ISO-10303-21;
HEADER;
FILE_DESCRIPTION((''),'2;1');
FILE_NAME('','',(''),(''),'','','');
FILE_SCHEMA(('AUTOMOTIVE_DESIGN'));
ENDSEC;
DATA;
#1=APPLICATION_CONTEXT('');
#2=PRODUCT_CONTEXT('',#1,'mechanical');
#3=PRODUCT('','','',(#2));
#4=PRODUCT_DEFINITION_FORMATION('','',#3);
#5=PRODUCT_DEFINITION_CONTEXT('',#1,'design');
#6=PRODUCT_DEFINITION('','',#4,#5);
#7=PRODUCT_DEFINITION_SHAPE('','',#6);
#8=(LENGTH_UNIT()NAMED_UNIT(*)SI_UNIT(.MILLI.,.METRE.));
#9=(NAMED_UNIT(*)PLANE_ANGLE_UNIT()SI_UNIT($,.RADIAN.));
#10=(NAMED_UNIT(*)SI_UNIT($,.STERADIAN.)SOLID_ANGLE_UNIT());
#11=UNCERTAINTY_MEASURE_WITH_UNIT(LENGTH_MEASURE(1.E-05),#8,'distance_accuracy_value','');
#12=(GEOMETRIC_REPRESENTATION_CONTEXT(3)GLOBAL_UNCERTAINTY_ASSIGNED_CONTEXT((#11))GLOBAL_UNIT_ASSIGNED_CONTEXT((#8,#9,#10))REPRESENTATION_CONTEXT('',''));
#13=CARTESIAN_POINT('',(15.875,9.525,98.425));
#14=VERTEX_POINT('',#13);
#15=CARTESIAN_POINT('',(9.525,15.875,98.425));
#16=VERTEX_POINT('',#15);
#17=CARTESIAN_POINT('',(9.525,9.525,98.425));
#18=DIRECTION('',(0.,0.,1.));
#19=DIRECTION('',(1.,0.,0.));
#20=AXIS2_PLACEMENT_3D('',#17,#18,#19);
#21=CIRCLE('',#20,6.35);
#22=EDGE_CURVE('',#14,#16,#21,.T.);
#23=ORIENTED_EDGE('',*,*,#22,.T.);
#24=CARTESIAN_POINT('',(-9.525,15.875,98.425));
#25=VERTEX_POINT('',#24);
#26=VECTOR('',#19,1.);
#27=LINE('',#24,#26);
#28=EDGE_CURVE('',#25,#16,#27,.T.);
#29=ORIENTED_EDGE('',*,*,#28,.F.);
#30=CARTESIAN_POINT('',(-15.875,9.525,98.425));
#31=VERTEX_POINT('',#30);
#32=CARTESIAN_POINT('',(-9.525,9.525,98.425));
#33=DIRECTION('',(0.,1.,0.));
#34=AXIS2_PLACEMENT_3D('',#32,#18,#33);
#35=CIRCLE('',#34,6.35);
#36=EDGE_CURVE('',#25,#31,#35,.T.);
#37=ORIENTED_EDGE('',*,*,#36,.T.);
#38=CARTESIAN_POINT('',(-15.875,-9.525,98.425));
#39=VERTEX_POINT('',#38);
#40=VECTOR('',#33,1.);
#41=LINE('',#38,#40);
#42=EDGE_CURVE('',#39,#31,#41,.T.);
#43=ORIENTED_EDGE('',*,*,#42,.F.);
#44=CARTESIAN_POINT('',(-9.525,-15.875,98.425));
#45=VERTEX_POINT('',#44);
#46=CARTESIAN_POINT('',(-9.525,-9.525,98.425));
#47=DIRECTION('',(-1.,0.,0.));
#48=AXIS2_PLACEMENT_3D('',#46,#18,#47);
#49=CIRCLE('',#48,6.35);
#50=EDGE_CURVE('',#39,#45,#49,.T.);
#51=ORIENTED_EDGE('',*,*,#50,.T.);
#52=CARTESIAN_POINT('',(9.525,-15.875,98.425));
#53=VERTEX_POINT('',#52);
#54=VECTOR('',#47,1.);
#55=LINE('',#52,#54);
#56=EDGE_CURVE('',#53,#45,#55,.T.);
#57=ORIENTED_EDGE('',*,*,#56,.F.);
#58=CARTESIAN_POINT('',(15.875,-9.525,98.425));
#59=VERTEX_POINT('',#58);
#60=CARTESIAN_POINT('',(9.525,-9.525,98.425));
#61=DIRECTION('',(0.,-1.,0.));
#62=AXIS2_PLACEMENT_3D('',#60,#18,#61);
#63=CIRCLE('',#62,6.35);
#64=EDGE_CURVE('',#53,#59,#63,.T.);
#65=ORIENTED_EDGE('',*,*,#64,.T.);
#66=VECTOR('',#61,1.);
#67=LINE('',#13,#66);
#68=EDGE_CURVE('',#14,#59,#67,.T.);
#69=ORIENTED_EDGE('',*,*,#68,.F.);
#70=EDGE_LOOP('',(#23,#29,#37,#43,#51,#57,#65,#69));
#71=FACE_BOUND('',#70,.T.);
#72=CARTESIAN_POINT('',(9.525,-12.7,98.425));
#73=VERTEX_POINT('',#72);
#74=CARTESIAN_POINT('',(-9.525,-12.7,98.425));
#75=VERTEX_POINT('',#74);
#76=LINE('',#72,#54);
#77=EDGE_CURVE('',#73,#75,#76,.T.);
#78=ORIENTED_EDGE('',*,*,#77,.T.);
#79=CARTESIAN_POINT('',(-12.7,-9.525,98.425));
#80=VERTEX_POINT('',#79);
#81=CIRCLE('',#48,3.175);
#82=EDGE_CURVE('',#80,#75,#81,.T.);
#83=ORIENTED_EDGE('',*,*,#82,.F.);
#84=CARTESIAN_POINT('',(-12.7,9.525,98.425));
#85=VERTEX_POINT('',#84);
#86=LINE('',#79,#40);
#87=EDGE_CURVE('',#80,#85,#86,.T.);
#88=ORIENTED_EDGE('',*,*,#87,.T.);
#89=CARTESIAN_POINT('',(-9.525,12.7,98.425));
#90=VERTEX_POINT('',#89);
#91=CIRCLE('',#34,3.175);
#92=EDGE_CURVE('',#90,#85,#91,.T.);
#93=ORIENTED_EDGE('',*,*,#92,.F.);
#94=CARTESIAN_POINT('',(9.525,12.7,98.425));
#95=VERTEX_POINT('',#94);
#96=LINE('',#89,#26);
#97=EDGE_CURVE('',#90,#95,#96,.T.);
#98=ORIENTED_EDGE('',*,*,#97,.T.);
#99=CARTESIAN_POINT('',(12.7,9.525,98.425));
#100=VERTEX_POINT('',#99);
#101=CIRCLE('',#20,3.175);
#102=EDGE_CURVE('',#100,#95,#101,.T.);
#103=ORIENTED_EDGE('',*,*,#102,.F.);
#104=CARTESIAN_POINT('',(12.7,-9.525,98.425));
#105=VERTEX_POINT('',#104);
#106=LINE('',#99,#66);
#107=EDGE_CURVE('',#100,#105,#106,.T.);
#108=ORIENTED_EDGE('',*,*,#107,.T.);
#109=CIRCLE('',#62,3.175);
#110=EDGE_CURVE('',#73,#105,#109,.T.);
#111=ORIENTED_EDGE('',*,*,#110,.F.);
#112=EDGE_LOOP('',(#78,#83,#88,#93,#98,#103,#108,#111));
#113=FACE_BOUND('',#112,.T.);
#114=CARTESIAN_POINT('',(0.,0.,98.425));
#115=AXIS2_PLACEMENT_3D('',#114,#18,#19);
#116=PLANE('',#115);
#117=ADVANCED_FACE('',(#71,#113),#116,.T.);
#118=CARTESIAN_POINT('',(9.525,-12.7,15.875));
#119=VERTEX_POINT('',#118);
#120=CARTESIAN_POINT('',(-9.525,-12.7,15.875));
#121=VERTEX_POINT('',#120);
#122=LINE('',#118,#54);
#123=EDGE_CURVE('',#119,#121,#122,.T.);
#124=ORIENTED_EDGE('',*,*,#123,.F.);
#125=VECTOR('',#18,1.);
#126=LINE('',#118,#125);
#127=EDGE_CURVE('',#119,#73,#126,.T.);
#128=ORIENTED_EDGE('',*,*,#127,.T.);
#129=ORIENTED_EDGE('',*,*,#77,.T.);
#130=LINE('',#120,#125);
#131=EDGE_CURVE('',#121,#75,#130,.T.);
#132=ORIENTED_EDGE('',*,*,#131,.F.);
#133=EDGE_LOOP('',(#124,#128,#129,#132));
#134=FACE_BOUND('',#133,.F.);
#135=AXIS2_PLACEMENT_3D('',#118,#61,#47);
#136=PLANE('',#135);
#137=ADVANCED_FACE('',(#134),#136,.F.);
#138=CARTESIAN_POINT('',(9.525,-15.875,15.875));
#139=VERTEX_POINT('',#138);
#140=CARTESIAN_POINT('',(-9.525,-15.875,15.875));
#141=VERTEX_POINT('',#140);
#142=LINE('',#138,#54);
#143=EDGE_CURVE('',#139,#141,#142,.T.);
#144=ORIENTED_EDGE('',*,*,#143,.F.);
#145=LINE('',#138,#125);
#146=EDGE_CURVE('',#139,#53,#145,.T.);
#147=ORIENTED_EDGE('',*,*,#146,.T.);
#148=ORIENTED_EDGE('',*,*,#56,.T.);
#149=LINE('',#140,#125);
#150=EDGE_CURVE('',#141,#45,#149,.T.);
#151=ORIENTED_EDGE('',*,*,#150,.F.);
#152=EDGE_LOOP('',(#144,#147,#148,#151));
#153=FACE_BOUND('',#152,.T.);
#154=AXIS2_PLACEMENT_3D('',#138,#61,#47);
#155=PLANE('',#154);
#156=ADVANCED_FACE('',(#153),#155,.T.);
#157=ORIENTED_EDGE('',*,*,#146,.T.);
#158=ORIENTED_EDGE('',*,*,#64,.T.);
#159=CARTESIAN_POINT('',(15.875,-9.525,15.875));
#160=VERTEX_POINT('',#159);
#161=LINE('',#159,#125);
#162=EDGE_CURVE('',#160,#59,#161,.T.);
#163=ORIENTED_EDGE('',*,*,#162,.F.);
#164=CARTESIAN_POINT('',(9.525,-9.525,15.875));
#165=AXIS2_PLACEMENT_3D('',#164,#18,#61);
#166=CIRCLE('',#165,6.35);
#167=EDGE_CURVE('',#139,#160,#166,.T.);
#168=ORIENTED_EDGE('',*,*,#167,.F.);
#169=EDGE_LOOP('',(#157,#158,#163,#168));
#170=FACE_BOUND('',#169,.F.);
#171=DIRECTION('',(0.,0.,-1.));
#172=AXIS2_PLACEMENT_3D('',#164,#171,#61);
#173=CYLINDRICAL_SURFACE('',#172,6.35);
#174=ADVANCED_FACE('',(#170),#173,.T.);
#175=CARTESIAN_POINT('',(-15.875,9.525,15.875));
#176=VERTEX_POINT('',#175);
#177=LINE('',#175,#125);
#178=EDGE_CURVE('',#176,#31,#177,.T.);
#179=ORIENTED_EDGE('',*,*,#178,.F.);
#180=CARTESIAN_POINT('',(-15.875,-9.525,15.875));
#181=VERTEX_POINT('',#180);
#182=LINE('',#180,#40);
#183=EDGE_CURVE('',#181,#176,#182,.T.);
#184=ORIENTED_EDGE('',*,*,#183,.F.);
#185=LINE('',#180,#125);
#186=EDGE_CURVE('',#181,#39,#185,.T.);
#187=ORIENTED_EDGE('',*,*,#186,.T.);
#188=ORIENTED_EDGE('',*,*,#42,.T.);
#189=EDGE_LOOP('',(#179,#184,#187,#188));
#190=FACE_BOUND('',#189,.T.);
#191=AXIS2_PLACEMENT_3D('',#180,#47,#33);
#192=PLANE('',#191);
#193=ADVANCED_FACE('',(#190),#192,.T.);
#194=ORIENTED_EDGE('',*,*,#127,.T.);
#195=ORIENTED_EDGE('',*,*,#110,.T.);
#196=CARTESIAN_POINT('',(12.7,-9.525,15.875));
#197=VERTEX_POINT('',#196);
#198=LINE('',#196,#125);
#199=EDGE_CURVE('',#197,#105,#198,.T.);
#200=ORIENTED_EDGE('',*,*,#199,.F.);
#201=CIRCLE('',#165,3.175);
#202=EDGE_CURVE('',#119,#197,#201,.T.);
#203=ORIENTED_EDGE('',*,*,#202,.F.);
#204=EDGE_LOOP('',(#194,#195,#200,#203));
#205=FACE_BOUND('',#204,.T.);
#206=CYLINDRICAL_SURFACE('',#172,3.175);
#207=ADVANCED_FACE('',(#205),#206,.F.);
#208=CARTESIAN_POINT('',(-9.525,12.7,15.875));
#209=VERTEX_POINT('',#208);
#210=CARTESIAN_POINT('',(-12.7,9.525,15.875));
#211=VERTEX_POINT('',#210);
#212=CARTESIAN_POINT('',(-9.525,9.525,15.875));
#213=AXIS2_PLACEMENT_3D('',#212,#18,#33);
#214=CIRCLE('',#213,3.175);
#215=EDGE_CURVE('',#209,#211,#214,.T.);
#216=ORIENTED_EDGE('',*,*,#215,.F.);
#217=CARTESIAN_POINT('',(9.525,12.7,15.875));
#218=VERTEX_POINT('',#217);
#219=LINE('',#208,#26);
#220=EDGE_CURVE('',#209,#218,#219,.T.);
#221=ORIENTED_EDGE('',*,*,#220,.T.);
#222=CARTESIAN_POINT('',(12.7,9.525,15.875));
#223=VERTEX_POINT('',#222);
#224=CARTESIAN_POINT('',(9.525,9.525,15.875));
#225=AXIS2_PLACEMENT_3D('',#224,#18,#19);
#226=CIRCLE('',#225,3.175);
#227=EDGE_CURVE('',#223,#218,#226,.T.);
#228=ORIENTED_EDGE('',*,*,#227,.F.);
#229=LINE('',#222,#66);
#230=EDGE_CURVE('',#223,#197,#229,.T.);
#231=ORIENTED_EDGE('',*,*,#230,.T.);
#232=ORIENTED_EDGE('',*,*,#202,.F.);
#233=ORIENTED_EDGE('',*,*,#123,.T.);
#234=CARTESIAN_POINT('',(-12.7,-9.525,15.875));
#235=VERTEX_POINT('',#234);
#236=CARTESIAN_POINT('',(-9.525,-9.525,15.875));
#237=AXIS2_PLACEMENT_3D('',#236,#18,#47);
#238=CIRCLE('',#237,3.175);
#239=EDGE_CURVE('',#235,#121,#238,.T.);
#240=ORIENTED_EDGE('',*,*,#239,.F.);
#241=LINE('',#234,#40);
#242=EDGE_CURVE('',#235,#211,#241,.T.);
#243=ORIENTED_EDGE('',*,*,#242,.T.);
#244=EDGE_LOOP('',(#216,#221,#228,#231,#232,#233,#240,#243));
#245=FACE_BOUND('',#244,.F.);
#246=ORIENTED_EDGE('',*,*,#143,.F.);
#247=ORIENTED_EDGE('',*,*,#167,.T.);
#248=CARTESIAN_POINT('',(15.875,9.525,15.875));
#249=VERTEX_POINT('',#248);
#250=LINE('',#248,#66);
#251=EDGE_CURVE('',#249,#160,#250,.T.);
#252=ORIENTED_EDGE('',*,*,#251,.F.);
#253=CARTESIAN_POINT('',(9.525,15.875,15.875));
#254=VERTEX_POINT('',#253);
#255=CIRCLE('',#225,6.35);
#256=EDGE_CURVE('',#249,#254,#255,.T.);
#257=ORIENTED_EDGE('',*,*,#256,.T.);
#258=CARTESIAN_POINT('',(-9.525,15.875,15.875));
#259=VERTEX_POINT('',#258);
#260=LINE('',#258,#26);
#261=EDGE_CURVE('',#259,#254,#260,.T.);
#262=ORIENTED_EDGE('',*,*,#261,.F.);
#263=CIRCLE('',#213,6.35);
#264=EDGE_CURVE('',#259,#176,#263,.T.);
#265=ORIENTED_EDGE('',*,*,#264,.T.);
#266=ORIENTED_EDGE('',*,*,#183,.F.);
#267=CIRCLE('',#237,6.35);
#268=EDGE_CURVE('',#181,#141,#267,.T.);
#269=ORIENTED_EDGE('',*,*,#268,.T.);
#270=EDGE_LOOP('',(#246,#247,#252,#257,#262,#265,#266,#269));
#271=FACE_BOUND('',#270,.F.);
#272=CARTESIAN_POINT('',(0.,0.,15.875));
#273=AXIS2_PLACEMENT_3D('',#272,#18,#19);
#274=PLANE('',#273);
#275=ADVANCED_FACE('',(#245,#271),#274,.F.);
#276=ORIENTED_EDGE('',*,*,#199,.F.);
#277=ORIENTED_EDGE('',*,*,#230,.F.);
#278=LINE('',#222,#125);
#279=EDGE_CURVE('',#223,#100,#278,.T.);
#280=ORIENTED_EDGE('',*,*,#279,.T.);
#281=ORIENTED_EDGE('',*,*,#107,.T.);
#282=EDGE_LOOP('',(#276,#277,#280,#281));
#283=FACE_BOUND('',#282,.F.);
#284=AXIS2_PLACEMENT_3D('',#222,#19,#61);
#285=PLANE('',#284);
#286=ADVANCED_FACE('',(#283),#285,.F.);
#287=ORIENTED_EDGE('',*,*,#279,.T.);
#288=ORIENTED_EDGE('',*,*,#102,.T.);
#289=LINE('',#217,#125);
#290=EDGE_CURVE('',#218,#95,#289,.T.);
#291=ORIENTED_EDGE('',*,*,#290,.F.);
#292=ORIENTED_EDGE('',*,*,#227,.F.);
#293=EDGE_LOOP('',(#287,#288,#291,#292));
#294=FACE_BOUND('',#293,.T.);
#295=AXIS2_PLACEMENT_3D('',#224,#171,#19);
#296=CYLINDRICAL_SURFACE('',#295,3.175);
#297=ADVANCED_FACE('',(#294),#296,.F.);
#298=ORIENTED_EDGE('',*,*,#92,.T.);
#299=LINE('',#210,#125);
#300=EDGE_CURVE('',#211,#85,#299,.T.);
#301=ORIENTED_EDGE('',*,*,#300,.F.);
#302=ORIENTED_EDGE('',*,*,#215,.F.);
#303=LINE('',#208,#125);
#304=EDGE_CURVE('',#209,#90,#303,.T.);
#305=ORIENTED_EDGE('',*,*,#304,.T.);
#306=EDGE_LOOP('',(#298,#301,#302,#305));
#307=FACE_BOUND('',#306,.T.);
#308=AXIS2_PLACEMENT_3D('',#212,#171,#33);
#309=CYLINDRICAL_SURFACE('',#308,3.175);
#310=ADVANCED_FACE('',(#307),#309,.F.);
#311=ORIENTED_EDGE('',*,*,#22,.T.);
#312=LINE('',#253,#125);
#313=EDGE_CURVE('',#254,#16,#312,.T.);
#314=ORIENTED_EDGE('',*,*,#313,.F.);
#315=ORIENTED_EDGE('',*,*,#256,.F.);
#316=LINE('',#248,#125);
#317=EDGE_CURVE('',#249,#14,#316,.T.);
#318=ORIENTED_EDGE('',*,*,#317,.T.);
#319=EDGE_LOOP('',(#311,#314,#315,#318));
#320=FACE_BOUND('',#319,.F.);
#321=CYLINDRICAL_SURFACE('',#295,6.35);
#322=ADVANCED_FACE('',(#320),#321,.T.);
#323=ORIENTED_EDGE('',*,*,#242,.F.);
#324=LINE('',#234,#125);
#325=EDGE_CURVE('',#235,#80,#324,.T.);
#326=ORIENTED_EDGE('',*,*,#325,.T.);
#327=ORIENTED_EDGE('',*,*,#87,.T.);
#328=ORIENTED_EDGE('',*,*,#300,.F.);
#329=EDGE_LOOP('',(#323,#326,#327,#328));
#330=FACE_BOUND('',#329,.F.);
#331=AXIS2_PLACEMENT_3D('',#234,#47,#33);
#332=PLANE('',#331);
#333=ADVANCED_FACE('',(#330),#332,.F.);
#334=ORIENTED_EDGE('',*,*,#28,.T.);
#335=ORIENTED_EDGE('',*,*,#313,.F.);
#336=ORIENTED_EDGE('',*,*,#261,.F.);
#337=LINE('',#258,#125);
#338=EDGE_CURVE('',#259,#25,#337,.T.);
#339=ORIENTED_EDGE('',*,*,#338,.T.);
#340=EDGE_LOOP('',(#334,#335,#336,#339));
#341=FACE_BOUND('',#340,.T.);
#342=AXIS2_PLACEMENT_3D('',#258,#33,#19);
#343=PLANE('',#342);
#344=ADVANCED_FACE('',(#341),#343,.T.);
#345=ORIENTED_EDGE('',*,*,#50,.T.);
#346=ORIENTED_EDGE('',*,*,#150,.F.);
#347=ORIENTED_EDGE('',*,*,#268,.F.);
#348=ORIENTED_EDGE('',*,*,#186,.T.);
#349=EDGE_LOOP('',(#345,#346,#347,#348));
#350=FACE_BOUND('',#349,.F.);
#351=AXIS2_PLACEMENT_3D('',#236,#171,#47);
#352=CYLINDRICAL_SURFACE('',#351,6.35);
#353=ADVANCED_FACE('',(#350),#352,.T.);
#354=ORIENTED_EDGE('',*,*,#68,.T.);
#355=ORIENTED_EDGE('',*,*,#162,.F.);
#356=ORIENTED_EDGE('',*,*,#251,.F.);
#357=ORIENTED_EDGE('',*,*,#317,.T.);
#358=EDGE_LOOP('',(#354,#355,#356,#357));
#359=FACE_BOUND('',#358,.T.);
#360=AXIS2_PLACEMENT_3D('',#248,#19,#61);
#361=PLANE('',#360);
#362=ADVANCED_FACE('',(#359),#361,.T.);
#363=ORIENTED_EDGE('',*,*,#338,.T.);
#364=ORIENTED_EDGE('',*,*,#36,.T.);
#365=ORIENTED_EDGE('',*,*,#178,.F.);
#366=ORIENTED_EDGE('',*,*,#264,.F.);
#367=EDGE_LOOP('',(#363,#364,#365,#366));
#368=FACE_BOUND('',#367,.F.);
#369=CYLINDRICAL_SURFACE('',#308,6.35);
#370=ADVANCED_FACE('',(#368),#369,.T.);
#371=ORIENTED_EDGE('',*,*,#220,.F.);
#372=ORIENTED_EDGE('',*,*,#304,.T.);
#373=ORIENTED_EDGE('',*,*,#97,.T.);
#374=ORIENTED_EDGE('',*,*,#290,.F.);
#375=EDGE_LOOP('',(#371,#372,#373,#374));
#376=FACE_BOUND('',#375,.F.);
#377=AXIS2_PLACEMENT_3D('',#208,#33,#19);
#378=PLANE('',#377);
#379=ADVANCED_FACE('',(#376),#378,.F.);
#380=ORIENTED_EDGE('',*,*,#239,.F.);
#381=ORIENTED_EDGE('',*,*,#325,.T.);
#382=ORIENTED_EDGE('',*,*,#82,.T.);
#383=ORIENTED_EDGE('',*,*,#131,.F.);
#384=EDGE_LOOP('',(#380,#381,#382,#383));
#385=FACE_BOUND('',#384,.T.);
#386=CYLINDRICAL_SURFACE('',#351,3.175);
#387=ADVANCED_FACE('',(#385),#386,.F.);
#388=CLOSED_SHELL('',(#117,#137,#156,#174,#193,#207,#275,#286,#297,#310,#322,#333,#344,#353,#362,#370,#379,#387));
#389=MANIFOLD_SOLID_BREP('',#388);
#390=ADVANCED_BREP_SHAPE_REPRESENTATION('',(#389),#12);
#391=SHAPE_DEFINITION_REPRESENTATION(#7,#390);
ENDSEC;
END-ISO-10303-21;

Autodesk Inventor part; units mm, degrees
ref_plane "Start plane" through (0, 0, 15.875) normal (0, 0, 1) x (1, 0, 0)
ref_plane "End plane" through (0, 0, 98.425) normal (0, 0, 1) x (1, 0, 0)
sketch "Sketch" plane through (0, 0, 0) normal (0, 0, 1) x (1, 0, 0)
  line L0 (-15.875, -9.525) -> (-15.875, 9.525)
  line L1 (-9.525, 15.875) -> (9.525, 15.875)
  line L2 (15.875, 9.525) -> (15.875, -9.525)
  line L3 (9.525, -15.875) -> (-9.525, -15.875)
  arc A0 (-15.875, -9.525) -> (-9.525, -15.875) centre (-9.525, -9.525) ccw
  arc A1 (-9.525, 15.875) -> (-15.875, 9.525) centre (-9.525, 9.525) ccw
  arc A2 (15.875, 9.525) -> (9.525, 15.875) centre (9.525, 9.525) ccw
  arc A3 (9.525, -15.875) -> (15.875, -9.525) centre (9.525, -9.525) ccw
  arc A4 (-9.525, 12.7) -> (-12.7, 9.525) centre (-9.525, 9.525) ccw
  line L4 (-9.525, 12.7) -> (9.525, 12.7)
  arc A5 (12.7, 9.525) -> (9.525, 12.7) centre (9.525, 9.525) ccw
  line L5 (12.7, 9.525) -> (12.7, -9.525)
  arc A6 (9.525, -12.7) -> (12.7, -9.525) centre (9.525, -9.525) ccw
  line L6 (9.525, -12.7) -> (-9.525, -12.7)
  arc A7 (-12.7, -9.525) -> (-9.525, -12.7) centre (-9.525, -9.525) ccw
  line L7 (-12.7, -9.525) -> (-12.7, 9.525)
  line L8 (0, 24.0662) -> (0, -24.0662) construction
  line L9 (-24.0662, 0) -> (24.0662, 0) construction
  dimension "d10" = 31.75
  dimension "d11" = 31.75
  dimension "d12" = 3.175
  dimension "d15" = 15.875
  dimension "d16" = 15.875
  dimension "d17" = 6.35
extrude "Body" add sketch "Sketch" along normal up to surface (82.55 mm away) from surface at 15.875
sketch "Sketch3" plane through (0, 0, 0) normal (0, 0, 1) x (1, 0, 0)
  line L0 (0, 0) -> (10, 0)
ref_plane "Work Plane3" through (0, 0, 0) normal (0, -1, 0) x (1, 0, 0)
sketch "Sketch4" plane through (0, 0, 0) normal (0, -1, 0) x (1, 0, 0)
  line L0 (-2, 15.875) -> (12, 15.875)
  line L1 (-2, 98.425) -> (12, 98.425)
  dimension "d19" = 82.55
ref_plane "Work Plane4" through (-9.525, 101.6003, 15.875) normal (0, 0, -1) x (-1, 0, 0)
split "Split1" plane through (-9.525, 101.6003, 15.875) removes the side toward (0, 0, -1)
ref_plane "Work Plane5" through (9.525, 101.6003, 98.425) normal (0, 0, 1) x (1, 0, 0)
split "Split2" plane through (9.525, 101.6003, 98.425) removes the side toward (0, 0, 1)
equation "\"d10\" = G_H"
equation "\"d11\" = G_W"
equation "\"d12\" = G_T"
equation "\"d15\" = 0.5 * d10"
equation "\"d16\" = 0.5 * d11"
equation "\"d17\" = G_IR"
equation "\"d3\" = G_L"
equation "\"G_W\" = 31.75"
equation "\"G_H\" = 31.75"
equation "\"G_T\" = 3.175"
equation "\"G_IR\" = 6.35"
equation "\"G_L\" = d19"
equation "\"G_OFFSET_START\" = -15.875"
equation "\"G_OFFSET_END\" = -15.875"
equation "\"d13\" = -G_OFFSET_START"
equation "\"d14\" = G_OFFSET_END + B_L"
equation "\"B_L\" = 114.3"
properties part number "AISC HSS - 1-1/4x1-1/4x1/8 - 3.25" material "Steel, Mild"
